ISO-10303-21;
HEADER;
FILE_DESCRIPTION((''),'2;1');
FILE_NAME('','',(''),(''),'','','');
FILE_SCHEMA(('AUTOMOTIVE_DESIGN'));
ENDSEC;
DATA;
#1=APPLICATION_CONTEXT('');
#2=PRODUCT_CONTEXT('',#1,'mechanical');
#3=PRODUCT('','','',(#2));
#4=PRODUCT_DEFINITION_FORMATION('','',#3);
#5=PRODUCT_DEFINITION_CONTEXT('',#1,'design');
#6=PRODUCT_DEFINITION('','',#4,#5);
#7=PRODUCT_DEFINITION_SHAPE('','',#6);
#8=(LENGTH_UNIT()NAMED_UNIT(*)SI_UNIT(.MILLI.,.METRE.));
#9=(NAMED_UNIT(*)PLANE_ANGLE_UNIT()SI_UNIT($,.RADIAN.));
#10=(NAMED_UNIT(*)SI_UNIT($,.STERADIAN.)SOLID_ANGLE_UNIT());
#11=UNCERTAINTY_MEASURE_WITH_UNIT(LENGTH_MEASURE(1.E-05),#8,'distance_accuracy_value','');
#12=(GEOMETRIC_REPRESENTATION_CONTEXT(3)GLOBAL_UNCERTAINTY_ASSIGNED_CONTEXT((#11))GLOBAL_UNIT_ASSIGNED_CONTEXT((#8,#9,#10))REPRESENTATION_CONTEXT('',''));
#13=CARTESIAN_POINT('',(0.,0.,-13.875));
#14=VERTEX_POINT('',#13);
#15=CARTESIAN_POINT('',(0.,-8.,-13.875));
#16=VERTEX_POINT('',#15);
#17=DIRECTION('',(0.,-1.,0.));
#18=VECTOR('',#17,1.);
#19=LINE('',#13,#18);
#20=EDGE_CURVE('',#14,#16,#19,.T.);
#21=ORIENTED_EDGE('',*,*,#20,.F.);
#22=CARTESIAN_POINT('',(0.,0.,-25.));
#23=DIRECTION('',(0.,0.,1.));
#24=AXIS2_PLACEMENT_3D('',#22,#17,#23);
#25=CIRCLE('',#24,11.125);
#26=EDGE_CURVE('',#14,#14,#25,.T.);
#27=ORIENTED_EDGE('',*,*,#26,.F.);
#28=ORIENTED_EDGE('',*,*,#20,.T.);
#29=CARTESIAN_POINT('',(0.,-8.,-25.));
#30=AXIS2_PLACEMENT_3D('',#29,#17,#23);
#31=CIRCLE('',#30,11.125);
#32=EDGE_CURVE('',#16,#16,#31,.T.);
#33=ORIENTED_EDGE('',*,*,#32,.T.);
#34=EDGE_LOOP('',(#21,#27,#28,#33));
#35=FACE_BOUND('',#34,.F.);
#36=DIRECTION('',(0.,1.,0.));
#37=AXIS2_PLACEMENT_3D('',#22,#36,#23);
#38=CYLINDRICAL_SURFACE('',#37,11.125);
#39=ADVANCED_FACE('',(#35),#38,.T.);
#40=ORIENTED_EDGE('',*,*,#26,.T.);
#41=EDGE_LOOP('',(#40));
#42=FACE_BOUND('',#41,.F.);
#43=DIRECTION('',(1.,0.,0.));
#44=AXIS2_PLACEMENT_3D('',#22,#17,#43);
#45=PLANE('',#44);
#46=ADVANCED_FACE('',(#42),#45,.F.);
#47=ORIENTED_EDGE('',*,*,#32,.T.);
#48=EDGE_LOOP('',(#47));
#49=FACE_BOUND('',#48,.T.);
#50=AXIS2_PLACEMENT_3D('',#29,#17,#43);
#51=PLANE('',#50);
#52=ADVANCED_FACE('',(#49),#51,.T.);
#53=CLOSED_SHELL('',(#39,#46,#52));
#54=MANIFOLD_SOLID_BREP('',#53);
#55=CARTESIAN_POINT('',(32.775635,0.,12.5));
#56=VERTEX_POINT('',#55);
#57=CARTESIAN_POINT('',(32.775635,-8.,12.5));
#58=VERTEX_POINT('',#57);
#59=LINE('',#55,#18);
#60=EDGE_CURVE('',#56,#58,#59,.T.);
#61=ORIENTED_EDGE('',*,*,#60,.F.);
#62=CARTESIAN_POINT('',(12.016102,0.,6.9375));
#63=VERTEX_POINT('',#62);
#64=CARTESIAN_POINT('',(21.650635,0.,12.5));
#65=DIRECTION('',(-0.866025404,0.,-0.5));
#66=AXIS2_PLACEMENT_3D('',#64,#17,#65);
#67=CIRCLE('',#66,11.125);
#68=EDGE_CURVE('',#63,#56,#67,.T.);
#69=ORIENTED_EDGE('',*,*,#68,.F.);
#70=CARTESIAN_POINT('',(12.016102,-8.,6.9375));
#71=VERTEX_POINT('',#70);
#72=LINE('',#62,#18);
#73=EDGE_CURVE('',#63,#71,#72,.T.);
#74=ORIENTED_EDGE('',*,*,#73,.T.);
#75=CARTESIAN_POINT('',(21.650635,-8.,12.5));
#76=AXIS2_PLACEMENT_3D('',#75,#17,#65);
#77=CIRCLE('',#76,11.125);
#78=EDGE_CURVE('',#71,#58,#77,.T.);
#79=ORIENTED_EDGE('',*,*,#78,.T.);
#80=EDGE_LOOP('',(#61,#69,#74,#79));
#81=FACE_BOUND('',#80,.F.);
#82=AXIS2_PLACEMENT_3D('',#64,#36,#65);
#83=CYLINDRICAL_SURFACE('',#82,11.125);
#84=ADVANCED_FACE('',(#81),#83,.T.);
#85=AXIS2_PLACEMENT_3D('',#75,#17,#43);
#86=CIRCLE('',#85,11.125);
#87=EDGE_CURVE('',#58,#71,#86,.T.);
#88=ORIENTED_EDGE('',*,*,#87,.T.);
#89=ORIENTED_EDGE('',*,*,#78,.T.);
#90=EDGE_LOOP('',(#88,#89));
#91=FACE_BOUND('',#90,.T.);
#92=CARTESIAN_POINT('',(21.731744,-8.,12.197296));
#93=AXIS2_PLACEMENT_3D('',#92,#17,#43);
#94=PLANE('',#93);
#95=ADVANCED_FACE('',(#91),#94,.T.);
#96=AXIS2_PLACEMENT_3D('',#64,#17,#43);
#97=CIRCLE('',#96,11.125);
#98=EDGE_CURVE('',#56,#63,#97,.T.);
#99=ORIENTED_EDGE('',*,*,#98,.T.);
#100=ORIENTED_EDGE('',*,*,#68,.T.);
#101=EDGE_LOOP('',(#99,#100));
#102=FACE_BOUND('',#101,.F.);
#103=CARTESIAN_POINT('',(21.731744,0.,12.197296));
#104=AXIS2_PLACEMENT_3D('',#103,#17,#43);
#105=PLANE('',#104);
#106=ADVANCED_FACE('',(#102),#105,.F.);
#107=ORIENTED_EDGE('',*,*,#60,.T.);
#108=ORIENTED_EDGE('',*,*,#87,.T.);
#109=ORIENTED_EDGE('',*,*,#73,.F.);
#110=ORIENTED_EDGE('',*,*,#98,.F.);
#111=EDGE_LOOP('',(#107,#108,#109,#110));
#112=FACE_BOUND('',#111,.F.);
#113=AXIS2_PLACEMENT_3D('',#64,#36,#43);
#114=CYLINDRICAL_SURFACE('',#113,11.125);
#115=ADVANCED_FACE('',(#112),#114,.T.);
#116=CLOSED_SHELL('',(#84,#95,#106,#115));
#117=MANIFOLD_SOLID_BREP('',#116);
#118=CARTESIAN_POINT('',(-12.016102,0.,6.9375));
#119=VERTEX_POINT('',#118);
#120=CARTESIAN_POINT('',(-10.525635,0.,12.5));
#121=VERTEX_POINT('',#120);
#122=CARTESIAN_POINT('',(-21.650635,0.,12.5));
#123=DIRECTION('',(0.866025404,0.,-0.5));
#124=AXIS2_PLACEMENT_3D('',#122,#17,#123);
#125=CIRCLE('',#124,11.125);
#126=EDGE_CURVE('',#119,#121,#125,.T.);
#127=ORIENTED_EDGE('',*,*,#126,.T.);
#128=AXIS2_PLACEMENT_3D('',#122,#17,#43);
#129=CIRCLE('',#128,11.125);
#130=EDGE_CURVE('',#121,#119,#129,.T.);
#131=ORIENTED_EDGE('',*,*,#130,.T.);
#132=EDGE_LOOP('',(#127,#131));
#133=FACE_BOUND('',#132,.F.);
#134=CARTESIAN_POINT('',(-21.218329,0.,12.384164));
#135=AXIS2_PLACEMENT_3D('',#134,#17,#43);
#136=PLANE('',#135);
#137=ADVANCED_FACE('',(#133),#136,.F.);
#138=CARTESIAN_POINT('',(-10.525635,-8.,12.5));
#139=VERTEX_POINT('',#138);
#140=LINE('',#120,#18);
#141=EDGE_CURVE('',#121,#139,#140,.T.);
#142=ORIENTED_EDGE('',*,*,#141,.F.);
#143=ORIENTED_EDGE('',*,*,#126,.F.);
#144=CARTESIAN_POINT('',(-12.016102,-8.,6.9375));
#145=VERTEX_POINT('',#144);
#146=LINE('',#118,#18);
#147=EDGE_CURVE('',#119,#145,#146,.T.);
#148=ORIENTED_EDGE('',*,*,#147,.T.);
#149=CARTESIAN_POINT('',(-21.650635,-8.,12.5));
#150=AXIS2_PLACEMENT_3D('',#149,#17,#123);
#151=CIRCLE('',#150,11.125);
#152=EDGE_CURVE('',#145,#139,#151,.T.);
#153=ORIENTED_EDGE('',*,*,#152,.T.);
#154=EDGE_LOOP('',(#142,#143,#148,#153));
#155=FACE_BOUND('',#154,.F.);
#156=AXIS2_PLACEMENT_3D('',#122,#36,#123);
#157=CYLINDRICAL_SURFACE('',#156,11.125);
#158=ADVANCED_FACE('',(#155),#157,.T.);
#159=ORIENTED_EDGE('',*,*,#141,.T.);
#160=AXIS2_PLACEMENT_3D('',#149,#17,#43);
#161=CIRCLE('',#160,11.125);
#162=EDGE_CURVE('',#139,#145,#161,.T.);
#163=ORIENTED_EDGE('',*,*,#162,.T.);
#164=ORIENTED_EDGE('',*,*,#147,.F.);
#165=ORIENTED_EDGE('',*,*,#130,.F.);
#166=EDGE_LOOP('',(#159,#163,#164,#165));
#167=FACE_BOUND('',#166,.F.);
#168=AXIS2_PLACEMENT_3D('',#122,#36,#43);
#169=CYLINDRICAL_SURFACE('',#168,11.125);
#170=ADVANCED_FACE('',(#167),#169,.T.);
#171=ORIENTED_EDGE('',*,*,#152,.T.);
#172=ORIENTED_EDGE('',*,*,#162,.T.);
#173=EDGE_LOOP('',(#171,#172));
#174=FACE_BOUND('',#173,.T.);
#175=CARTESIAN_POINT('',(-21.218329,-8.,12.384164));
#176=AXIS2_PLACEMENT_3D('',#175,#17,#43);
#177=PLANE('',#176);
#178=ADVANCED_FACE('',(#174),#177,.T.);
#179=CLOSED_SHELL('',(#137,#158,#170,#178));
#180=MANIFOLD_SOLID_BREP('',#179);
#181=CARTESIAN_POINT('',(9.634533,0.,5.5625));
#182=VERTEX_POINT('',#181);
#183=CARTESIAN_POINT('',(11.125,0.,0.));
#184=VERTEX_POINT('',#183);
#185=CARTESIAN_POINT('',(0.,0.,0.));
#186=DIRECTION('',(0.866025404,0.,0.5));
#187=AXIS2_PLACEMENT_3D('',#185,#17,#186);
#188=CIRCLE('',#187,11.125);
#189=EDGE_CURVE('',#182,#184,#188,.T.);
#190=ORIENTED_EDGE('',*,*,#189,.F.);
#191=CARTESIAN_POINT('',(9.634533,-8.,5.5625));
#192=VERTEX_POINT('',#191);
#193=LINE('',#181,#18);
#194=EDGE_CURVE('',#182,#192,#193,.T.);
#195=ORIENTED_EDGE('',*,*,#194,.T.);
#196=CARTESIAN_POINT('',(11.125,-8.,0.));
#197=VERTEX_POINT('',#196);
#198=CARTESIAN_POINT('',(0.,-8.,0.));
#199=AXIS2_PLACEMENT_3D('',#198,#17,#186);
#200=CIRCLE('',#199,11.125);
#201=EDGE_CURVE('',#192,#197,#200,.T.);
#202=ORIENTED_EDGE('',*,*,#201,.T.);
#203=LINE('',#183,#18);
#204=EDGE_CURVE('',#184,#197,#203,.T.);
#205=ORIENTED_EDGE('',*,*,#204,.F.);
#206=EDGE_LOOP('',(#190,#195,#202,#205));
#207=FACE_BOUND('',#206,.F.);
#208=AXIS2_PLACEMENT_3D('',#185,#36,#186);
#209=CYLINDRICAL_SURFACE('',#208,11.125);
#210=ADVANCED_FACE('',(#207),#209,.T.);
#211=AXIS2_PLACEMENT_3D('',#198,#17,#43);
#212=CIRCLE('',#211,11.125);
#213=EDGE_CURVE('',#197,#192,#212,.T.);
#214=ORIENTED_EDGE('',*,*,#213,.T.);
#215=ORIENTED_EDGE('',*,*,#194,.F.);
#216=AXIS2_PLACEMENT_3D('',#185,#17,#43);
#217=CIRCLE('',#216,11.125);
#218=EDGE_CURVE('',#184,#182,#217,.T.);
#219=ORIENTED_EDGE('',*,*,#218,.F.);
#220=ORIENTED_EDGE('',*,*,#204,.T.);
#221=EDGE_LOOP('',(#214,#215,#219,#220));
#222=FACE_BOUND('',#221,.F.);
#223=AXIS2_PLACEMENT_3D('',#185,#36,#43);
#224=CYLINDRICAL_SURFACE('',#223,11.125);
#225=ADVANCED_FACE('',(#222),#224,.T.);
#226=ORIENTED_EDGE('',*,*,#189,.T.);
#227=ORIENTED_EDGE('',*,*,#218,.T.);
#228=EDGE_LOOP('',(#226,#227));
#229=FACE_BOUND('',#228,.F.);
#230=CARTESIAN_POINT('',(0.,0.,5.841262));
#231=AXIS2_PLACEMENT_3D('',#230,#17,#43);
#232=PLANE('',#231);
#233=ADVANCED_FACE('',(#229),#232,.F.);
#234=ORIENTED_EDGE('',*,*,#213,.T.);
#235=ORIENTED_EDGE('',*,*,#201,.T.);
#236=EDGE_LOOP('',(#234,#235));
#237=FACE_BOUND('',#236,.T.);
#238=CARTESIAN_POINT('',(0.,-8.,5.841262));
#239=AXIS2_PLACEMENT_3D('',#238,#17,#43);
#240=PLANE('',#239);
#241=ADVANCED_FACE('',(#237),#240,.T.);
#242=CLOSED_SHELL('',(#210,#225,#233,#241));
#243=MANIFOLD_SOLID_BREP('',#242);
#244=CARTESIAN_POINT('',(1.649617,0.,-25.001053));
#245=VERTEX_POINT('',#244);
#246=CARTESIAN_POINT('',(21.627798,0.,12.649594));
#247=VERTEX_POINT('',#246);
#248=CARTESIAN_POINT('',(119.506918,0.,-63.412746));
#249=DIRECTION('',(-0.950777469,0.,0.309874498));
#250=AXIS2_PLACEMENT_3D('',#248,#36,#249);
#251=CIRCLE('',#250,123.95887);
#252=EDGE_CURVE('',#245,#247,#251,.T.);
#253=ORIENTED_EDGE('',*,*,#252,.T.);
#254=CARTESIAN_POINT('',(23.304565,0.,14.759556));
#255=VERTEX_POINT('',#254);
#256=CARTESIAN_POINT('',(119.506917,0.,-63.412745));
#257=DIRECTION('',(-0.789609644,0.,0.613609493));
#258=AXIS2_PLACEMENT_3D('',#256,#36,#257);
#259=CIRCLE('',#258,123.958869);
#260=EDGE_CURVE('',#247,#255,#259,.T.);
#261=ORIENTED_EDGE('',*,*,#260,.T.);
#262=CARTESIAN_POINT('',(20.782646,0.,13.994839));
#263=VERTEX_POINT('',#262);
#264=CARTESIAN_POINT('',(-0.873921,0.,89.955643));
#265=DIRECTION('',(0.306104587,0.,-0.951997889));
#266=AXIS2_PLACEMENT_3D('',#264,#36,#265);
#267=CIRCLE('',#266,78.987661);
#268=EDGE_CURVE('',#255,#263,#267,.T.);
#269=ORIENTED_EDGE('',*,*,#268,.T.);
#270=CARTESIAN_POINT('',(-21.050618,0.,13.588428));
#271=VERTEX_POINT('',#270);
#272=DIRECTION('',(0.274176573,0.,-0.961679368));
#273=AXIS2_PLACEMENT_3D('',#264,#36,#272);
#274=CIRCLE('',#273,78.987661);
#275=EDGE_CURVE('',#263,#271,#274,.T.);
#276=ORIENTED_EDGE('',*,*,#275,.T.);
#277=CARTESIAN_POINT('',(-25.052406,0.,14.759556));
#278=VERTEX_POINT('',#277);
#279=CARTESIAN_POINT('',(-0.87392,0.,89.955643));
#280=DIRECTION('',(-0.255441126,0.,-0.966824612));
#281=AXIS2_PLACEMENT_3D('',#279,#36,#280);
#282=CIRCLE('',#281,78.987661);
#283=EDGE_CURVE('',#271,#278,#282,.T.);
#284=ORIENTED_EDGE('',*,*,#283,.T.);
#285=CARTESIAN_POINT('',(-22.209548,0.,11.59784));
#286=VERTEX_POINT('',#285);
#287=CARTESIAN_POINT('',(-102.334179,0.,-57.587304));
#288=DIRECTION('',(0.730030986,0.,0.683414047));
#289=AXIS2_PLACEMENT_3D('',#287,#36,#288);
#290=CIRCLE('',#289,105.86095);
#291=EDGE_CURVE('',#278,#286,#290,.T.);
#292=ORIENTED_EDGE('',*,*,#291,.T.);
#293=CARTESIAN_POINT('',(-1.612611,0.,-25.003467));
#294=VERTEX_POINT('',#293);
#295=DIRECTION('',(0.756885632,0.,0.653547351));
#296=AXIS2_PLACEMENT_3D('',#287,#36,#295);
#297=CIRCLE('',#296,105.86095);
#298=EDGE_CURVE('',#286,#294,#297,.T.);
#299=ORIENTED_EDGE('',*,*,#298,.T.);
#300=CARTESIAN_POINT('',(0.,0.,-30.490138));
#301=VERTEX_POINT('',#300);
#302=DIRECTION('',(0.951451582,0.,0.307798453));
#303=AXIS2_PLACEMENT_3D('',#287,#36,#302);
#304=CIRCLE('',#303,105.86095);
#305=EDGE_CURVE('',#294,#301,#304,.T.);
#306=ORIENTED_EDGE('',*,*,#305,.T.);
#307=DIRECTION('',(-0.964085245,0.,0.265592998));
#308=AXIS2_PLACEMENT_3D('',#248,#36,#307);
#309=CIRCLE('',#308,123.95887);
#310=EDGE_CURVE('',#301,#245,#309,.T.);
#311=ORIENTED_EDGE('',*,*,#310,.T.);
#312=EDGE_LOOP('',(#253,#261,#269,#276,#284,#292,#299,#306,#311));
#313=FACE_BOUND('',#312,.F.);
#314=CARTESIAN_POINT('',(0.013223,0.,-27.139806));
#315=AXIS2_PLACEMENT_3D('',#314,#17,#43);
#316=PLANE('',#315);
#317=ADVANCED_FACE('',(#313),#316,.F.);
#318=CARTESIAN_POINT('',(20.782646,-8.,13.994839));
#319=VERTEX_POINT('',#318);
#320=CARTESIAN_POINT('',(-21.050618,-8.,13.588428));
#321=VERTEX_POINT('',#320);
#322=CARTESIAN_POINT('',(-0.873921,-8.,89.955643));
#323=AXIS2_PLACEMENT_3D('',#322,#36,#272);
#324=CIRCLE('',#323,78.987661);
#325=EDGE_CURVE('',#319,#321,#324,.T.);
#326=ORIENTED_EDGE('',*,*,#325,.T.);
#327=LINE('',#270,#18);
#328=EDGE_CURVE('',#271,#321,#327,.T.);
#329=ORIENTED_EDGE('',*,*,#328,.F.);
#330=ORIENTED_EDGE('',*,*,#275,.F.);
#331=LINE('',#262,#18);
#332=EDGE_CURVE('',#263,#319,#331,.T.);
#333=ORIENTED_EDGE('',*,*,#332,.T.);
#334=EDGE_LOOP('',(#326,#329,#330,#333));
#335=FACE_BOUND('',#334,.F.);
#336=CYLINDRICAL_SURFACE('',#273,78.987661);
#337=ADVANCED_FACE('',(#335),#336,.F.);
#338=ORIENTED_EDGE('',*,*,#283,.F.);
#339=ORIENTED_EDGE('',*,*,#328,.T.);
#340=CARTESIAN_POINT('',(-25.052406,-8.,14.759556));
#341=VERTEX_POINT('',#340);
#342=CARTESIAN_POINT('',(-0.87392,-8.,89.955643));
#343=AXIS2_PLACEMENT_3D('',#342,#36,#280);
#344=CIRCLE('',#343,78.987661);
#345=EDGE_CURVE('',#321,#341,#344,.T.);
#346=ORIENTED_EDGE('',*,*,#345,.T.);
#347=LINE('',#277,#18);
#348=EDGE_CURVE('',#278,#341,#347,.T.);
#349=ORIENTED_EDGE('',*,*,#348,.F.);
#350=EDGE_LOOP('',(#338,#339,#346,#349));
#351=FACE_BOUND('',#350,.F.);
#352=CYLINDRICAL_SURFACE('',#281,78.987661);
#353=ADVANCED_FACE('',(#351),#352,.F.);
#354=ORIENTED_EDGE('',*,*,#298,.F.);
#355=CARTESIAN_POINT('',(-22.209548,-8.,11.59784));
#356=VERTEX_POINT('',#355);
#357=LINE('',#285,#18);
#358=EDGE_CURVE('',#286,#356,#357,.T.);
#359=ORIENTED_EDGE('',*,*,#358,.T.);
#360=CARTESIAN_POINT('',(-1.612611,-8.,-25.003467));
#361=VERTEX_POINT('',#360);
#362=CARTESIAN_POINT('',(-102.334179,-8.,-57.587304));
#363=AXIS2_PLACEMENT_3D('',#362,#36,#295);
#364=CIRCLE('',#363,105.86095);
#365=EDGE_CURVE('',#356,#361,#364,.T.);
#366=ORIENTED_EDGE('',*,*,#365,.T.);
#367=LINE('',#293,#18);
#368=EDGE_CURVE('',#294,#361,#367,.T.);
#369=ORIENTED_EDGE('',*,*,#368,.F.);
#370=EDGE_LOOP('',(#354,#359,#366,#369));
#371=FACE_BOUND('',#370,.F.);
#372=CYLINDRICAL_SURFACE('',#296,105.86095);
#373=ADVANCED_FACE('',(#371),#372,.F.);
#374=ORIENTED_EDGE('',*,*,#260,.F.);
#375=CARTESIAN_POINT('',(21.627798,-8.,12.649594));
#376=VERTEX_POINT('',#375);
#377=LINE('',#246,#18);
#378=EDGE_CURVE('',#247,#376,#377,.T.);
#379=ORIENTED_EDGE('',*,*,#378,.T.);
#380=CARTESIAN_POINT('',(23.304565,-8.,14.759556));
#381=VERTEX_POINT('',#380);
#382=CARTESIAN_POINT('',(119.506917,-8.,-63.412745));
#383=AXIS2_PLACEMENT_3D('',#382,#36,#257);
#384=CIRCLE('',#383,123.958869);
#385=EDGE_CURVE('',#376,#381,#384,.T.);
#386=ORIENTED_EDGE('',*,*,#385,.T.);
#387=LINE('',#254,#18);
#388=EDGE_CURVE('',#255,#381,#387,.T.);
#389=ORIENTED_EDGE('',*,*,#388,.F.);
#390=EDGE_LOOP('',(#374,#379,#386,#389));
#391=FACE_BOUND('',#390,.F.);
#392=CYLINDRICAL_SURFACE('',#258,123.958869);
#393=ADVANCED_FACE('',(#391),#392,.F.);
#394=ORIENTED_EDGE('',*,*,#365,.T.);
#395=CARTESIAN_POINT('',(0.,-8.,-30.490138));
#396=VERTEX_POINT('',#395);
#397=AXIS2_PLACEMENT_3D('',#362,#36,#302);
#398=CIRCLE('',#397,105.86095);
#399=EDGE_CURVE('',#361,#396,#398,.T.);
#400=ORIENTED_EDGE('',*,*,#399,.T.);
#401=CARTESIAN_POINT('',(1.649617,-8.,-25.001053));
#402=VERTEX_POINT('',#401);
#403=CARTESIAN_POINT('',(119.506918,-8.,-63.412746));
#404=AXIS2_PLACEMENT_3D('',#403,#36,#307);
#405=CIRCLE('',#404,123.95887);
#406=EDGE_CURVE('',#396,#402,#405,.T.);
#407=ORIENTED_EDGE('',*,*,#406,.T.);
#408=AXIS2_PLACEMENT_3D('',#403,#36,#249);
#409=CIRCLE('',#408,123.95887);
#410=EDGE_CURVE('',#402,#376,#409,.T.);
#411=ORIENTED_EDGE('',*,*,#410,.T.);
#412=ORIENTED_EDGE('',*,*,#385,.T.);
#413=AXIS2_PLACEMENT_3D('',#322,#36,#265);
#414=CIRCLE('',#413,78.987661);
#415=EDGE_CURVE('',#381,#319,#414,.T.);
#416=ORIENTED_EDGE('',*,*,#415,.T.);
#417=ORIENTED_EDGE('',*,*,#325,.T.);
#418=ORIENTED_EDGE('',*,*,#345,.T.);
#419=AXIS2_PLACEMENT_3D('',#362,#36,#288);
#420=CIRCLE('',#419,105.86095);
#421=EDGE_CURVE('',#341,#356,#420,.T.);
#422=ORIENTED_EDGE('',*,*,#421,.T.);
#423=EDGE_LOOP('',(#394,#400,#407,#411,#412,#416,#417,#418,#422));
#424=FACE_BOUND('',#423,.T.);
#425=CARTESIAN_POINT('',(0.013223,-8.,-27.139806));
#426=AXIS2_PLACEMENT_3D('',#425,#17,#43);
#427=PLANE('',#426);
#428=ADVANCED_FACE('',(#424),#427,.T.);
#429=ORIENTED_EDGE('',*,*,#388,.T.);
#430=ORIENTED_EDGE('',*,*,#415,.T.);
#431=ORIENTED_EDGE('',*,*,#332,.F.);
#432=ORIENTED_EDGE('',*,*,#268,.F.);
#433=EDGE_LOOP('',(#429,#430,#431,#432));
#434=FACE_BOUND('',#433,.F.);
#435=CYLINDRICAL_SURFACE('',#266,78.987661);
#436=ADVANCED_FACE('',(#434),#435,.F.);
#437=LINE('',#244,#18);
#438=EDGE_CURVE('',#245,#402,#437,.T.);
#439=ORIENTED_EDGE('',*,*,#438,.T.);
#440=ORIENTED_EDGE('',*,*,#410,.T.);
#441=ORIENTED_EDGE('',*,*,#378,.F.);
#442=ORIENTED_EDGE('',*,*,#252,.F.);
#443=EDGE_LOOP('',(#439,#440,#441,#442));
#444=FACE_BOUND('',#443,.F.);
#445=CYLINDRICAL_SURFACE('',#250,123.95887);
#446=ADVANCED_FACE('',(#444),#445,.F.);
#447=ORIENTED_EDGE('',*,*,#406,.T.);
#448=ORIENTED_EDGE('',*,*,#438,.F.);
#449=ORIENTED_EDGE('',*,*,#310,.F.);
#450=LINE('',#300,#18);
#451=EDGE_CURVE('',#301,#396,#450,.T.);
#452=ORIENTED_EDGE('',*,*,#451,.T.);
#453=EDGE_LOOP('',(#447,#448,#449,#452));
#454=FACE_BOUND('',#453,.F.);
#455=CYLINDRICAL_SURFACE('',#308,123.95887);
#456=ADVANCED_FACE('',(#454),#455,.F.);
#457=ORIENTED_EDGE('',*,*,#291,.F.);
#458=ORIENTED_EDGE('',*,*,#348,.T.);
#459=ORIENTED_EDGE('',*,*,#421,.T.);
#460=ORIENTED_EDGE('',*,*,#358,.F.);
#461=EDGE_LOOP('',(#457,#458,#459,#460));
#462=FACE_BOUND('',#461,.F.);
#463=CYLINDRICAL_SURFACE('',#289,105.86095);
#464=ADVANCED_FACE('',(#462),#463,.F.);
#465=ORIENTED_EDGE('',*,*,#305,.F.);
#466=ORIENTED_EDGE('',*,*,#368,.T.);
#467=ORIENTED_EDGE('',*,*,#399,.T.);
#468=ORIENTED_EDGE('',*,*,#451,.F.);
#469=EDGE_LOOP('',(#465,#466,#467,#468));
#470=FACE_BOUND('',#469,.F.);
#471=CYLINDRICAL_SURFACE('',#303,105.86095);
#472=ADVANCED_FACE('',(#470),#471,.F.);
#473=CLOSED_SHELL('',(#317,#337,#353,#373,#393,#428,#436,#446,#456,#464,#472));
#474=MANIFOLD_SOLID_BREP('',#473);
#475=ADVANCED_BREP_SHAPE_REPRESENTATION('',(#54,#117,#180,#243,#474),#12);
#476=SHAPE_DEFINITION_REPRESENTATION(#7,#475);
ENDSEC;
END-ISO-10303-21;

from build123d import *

# Parameters (mm, degrees)
F2_DEPTH = 8


with BuildPart() as f2:
    # F1 (on Front) → F2 (new body)
    with BuildSketch(Plane.XZ):
        with BuildLine():
            ThreePointArc((1.6496168674, -25.001052938), (0.0185421059, -25.0554093961), (-1.6126113213, -25.0034671305))
            ThreePointArc((-1.6126113213, -25.0034671305), (-0.76924926, -27.7359109748), (0, -30.4901376367))
            ThreePointArc((0, -30.4901376367), (0.7930786895, -27.7360596499), (1.6496168674, -25.001052938))
        make_face()
        with BuildLine():
            ThreePointArc((-22.2095475261, 11.597839562), (-10.0777383133, -5.6711235714), (-1.6126113213, -25.0034671305))
            ThreePointArc((-1.6126113213, -25.0034671305), (0.0185421059, -25.0554093961), (1.6496168674, -25.001052938))
            ThreePointArc((1.6496168674, -25.001052938), (10.0083170152, -5.3106119186), (21.6277983208, 12.6495938122))
            ThreePointArc((21.6277983208, 12.6495938122), (21.2158870276, 13.3289167395), (20.7826457315, 13.9948390565))
            ThreePointArc((20.7826457315, 13.9948390565), (-0.1065903299, 10.9717091805), (-21.0506176136, 13.5884282351))
            ThreePointArc((-21.0506176136, 13.5884282351), (-21.6529693759, 12.6064587027), (-22.2095475261, 11.597839562))
        make_face()
        with BuildLine():
            ThreePointArc((-25.0524058938, 14.7595563903), (-23.61510149, 13.1929721836), (-22.2095475261, 11.597839562))
            ThreePointArc((-22.2095475261, 11.597839562), (-21.6529693759, 12.6064587027), (-21.0506176136, 13.5884282351))
            ThreePointArc((-21.0506176136, 13.5884282351), (-23.0592408517, 14.1475816988), (-25.0524058938, 14.7595563903))
        make_face()
        with BuildLine():
            ThreePointArc((20.7826457315, 13.9948390565), (21.2158870276, 13.3289167395), (21.6277983208, 12.6495938122))
            ThreePointArc((21.6277983208, 12.6495938122), (22.4604471385, 13.7091322212), (23.3045648783, 14.7595563903))
            ThreePointArc((23.3045648783, 14.7595563903), (22.0467947412, 14.3666794572), (20.7826457315, 13.9948390565))
        make_face()
    extrude(amount=F2_DEPTH)


with BuildPart() as f2b:
    # F0 (on Front) → F2, piece 2 (new body)
    with BuildSketch(Plane.XZ):
        with BuildLine():
            ThreePointArc((11.125, -25), (7.8665629407, -17.1334370593), (0, -13.875))
            ThreePointArc((0, -13.875), (-7.8665629407, -32.8665629407), (11.125, -25))
        make_face()
    extrude(amount=F2_DEPTH)


with BuildPart() as f2c:
    # F0 (on Front) → F2, piece 3 (new body)
    with BuildSketch(Plane.XZ):
        with BuildLine():
            Line((0, 0), (9.6345326171, 5.5625))
            ThreePointArc((9.6345326171, 5.5625), (0, 11.125), (-9.6345326171, 5.5625))
            Line((-9.6345326171, 5.5625), (0, 0))
        make_face()
        with BuildLine():
            ThreePointArc((-9.6345326171, 5.5625), (-9.6345326171, -5.5625), (0, -11.125))
            Line((0, -11.125), (0, 0))
            Line((0, 0), (-9.6345326171, 5.5625))
        make_face()
        with BuildLine():
            ThreePointArc((0, -11.125), (7.8665629407, -7.8665629407), (11.125, 0))
            ThreePointArc((11.125, 0), (10.7459248175, 2.8793618768), (9.6345326171, 5.5625))
            Line((9.6345326171, 5.5625), (0, 0))
            Line((0, 0), (0, -11.125))
        make_face()
    extrude(amount=F2_DEPTH)


with BuildPart() as f2d:
    # F0 (on Front) → F2, piece 4 (new body)
    with BuildSketch(Plane.XZ):
        with BuildLine():
            ThreePointArc((-10.5256350946, 12.5), (-32.3965599121, 15.3793618768), (-12.0161024775, 6.9375))
            ThreePointArc((-12.0161024775, 6.9375), (-10.9047102771, 9.6206381232), (-10.5256350946, 12.5))
        make_face()
    extrude(amount=F2_DEPTH)


with BuildPart() as f2e:
    # F0 (on Front) → F2, piece 5 (new body)
    with BuildSketch(Plane.XZ):
        with BuildLine():
            ThreePointArc((32.7756350946, 12.5), (18.7712732178, 23.2459248175), (12.0161024775, 6.9375))
            ThreePointArc((12.0161024775, 6.9375), (24.5299969714, 1.7540751825), (32.7756350946, 12.5))
        make_face()
    extrude(amount=F2_DEPTH)


solid = Compound([f2.part, f2b.part, f2c.part, f2d.part, f2e.part])
